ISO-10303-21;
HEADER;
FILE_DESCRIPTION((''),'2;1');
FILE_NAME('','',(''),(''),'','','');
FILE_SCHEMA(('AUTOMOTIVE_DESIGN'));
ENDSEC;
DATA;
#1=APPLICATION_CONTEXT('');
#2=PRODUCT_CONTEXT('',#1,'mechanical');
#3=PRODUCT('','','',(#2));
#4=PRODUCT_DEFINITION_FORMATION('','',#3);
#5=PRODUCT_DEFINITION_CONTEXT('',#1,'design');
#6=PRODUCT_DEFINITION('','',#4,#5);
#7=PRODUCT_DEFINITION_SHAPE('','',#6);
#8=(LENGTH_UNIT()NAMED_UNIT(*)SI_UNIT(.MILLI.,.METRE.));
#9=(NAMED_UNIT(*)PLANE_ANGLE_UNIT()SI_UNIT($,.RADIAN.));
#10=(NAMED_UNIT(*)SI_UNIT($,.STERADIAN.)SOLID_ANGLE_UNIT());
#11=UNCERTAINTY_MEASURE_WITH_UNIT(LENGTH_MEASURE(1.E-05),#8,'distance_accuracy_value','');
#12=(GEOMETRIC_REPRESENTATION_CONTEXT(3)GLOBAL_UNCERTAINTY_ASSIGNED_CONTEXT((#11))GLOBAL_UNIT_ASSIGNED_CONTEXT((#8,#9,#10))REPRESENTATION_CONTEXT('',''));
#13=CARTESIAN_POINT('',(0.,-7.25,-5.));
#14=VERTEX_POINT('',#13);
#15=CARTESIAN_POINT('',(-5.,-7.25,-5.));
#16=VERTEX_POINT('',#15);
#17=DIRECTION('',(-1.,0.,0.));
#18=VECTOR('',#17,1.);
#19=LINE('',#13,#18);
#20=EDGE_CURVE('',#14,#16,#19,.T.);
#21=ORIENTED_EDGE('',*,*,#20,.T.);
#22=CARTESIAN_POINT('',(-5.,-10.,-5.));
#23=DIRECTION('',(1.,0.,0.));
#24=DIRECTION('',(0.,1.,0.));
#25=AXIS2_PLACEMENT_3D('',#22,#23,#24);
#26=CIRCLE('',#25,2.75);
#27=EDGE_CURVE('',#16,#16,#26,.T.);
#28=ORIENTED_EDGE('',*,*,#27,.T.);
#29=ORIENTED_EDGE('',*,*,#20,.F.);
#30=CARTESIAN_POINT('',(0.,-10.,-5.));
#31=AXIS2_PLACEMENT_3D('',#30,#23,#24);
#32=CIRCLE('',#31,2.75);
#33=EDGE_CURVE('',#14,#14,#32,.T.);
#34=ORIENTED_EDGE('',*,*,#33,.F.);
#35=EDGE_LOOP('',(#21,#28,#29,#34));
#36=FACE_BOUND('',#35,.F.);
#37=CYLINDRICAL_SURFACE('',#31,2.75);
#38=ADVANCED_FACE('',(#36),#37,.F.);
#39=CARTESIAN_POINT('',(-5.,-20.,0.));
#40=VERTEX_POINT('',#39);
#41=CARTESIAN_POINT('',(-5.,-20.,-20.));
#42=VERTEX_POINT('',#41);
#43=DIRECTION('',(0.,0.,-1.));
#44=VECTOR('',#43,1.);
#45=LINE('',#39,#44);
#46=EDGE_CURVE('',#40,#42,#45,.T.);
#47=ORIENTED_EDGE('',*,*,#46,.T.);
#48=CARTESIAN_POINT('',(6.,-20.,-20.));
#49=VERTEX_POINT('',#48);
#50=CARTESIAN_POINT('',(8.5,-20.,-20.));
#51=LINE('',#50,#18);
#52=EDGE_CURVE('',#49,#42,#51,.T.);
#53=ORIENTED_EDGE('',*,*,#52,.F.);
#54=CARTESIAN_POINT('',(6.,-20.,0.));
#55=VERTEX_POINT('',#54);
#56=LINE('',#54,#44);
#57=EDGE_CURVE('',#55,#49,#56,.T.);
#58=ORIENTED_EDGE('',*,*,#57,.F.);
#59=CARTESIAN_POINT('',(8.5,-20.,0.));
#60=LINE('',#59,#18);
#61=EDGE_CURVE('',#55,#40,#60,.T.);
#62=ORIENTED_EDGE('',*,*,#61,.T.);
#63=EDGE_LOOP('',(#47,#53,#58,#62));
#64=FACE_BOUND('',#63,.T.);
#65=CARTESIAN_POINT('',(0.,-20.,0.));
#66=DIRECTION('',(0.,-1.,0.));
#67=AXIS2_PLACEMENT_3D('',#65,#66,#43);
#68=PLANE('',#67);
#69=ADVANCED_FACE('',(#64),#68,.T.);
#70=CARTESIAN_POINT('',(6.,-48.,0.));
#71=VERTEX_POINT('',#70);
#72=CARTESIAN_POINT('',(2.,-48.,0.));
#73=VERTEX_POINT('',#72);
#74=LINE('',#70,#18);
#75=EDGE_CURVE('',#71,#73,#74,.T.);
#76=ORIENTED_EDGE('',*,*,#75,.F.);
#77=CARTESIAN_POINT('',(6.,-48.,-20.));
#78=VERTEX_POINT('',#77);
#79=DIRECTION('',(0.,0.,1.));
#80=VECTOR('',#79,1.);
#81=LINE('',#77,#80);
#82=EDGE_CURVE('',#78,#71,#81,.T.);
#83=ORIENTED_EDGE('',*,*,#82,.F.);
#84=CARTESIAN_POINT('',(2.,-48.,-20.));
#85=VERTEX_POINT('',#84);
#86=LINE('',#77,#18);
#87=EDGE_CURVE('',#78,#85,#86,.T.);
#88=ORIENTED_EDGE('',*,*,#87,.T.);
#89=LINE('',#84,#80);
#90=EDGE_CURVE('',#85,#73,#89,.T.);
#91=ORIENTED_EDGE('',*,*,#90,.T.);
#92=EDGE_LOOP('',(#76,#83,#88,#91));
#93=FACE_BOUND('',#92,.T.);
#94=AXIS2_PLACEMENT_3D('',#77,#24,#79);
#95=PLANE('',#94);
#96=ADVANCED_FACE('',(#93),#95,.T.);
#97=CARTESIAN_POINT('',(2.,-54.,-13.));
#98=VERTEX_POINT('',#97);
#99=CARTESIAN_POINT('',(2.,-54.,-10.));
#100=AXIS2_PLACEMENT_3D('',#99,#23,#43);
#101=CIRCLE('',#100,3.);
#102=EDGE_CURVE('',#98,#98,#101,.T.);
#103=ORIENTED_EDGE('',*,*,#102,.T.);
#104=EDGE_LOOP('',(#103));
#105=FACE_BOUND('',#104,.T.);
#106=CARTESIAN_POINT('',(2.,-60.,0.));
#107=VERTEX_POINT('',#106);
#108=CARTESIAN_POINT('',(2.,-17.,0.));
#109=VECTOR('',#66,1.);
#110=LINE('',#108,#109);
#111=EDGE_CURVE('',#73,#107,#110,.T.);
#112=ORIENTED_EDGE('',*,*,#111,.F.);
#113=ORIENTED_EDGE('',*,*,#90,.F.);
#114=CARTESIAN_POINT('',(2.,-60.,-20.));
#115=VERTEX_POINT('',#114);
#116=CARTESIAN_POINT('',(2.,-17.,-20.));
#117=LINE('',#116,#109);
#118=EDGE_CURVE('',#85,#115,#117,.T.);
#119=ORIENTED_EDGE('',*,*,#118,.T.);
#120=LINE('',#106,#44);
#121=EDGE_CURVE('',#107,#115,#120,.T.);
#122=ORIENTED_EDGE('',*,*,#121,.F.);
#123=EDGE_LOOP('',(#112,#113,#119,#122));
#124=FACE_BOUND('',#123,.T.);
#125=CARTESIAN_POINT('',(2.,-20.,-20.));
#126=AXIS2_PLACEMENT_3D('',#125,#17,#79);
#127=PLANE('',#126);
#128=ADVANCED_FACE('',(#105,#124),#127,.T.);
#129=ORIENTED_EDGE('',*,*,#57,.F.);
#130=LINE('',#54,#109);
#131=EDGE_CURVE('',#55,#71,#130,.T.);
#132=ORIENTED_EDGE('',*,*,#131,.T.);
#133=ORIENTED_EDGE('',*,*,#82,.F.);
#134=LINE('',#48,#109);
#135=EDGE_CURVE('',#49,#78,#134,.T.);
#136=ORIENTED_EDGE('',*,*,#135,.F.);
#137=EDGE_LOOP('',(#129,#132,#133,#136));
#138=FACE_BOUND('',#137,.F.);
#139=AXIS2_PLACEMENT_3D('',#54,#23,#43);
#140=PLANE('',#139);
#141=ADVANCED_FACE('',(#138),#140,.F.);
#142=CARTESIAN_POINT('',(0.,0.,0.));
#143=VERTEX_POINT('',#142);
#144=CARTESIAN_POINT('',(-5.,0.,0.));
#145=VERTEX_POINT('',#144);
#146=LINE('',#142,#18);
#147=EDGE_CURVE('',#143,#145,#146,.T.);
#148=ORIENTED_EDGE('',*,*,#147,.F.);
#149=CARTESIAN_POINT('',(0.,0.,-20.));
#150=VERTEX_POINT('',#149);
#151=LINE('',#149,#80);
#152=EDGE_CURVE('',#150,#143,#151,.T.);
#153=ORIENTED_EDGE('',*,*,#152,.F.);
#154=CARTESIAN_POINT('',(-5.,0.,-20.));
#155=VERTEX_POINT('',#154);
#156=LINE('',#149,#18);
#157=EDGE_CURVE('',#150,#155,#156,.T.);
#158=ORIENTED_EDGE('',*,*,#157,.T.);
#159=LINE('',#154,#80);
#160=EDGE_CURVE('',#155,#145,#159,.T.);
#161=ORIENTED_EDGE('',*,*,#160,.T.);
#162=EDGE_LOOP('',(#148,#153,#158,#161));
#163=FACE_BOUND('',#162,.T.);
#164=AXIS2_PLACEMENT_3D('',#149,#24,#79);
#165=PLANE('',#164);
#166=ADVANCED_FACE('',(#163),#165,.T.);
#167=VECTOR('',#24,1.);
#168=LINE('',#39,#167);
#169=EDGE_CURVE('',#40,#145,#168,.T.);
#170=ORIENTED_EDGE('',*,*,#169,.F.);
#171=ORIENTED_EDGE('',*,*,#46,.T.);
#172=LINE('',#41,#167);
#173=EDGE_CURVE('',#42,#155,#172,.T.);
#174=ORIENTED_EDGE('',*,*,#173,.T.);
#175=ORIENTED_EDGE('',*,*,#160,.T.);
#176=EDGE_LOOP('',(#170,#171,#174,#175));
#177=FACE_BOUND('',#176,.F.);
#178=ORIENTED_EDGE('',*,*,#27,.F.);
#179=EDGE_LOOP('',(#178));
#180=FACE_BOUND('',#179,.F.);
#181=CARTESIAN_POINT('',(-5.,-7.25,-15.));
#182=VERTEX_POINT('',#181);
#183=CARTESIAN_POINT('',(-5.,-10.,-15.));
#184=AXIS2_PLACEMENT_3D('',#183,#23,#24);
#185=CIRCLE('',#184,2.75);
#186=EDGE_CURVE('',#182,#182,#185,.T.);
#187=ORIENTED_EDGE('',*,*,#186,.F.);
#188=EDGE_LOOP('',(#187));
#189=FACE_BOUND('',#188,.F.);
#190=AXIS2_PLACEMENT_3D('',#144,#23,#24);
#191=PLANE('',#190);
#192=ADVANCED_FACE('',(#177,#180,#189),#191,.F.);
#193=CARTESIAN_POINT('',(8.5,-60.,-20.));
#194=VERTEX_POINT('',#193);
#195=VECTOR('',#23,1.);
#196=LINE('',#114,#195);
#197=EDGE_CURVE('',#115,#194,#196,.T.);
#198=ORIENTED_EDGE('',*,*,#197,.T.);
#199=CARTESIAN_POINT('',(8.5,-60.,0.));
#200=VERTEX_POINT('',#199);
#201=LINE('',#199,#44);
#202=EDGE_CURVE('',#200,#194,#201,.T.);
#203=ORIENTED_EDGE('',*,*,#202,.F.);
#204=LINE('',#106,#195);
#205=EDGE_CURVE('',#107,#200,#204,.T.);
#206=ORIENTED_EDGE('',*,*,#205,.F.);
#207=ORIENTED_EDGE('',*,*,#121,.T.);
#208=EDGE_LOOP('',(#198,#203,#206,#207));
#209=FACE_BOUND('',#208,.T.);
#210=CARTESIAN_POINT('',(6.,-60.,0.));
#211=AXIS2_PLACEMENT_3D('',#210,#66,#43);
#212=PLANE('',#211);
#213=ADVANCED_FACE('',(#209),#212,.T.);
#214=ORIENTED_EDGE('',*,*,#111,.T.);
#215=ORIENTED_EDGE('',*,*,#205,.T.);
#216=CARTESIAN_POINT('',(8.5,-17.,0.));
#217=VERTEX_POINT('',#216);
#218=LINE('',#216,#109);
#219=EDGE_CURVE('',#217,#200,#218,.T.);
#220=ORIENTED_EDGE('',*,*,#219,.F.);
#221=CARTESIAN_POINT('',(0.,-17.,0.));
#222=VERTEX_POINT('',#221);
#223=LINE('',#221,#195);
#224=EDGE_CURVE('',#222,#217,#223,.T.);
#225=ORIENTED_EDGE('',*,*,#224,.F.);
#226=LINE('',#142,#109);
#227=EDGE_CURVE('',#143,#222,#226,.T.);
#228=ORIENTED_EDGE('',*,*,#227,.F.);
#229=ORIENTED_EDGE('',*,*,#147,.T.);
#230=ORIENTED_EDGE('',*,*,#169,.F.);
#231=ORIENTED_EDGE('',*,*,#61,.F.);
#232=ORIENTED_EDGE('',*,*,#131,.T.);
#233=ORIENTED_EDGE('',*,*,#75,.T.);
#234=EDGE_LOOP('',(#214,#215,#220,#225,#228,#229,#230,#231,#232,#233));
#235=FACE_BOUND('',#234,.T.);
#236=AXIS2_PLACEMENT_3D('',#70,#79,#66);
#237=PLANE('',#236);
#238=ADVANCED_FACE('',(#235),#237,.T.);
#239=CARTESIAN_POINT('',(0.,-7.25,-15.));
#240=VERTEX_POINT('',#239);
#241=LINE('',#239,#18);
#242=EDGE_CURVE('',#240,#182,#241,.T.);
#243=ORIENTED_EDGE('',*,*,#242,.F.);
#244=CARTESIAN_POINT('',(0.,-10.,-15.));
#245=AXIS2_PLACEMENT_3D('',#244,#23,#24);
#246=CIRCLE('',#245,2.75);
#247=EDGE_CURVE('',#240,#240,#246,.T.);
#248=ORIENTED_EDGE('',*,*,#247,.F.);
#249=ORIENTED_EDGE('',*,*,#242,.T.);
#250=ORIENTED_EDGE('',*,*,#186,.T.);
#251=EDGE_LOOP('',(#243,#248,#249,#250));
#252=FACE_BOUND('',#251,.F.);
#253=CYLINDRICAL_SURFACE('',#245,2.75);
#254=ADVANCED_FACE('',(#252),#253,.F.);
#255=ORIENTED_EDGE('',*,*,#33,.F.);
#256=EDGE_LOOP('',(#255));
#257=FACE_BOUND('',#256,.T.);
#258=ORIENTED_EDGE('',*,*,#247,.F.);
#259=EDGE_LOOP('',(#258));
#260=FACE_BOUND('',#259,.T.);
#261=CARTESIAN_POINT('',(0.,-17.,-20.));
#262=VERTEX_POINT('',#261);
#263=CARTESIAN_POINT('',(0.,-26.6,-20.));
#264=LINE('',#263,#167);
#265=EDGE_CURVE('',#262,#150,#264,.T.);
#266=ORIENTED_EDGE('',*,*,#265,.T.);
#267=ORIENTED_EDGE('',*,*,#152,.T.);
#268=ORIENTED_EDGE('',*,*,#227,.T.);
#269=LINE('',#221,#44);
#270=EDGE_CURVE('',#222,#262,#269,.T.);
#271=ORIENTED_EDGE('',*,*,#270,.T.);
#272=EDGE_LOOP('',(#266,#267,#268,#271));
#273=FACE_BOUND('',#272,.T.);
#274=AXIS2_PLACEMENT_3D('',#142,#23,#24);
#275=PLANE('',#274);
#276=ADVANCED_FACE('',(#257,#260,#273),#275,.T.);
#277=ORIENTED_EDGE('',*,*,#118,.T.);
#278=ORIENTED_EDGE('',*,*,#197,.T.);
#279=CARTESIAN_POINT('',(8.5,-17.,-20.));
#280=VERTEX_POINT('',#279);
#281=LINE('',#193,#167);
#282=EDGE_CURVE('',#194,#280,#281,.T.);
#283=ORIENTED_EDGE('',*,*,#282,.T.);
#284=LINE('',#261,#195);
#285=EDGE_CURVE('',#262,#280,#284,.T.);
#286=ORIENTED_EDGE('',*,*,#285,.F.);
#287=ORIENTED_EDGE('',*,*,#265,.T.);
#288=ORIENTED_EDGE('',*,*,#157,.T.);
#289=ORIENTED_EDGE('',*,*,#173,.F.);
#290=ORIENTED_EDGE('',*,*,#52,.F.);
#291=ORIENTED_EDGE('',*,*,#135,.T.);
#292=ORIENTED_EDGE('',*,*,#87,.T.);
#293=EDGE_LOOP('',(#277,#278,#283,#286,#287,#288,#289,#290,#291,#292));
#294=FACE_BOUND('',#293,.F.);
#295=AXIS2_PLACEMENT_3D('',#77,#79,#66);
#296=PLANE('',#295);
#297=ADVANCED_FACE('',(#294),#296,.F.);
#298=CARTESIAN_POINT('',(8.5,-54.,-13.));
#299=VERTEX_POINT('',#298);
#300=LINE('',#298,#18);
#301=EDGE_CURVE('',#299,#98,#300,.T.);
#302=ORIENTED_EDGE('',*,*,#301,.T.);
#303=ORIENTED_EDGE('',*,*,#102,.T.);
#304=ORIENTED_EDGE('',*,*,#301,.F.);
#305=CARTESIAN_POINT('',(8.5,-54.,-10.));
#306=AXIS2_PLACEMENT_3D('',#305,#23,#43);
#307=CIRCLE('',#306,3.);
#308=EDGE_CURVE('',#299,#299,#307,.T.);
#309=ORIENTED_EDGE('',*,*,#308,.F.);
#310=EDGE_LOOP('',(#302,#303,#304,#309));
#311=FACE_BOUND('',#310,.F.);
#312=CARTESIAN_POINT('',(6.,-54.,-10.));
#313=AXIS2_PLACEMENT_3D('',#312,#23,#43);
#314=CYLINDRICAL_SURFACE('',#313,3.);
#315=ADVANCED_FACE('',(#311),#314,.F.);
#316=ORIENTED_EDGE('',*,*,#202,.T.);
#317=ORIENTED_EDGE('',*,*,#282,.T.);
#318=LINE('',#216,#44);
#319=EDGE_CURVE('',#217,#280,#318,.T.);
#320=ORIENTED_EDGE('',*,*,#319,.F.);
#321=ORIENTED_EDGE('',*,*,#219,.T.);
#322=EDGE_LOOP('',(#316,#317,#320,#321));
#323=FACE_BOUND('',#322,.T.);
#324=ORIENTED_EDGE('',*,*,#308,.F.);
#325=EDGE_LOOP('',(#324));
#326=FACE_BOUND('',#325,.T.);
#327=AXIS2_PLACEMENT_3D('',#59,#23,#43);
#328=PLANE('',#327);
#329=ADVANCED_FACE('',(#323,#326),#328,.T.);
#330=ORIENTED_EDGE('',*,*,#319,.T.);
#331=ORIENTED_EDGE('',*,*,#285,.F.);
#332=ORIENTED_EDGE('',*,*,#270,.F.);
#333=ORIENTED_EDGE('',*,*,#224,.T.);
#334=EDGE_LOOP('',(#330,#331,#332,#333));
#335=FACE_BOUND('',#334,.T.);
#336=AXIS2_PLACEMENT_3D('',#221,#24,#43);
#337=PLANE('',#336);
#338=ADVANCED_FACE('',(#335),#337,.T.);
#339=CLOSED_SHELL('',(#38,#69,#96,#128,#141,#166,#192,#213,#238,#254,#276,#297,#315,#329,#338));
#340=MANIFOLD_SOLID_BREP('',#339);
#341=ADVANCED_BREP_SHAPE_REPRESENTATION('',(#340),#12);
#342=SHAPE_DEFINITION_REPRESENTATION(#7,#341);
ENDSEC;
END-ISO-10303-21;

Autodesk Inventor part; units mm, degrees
ref_plane "YZ Plane" through (0, 0, 0) normal (1, 0, 0) x (0, 1, 0)
ref_plane "XZ Plane" through (0, 0, 0) normal (0, 1, 0) x (-1, 0, 0)
ref_plane "XY Plane" through (0, 0, 0) normal (0, 0, 1) x (1, 0, 0)
sketch "Sketch1" plane through (0, 0, 0) normal (1, 0, 0) x (0, 1, 0)
  line L0 (0, 0) -> (-26.6, 0)
  line L1 (-26.6, 0) -> (-26.6, -20)
  line L2 (-26.6, -20) -> (0, -20)
  line L3 (0, -20) -> (0, 0)
  line L4 (0, 0) -> (-10, 0) construction
  line L5 (-10, 0) -> (-10, -5) construction
  circle A0 centre (-10, -5) radius 2.75
  line L6 (0, -20) -> (-10, -20) construction
  line L7 (-10, -20) -> (-10, -15) construction
  circle A1 centre (-10, -15) radius 2.75
  line L8 (-26.6, 0) -> (-20, 0)
  line L9 (-20, 0) -> (-20, -20)
  line L10 (-20, -20) -> (-26.6, -20)
  line L11 (-26.6, -20) -> (-26.6, 0)
  line L12 (-20, 0) -> (-17, 0)
  line L13 (-17, 0) -> (-17, -20)
  line L14 (-17, -20) -> (-20, -20)
  line L15 (-20, -20) -> (-20, 0)
  dimension "d0" = 26.6
  dimension "d1" = 20
  dimension "d2" = 10
  dimension "d3" = 5
  dimension "d4" = 5.5
  dimension "d5" = 10
  dimension "d6" = 5
  dimension "d7" = 5.5
  dimension "d8" = 6.6
  dimension "d9" = 3
extrude "Extrusion1" add sketch "Sketch1" along normal blind 8.5 contours L13 L2 L9 L0
extrude "Extrusion2" add sketch "Sketch1" against normal blind 5 contours L3 L2 L13 L0
extrude "Extrusion3" add sketch "Sketch1" against normal blind 5 contours L13 L2 L9 L0
sketch "Sketch2" plane through (8.5, -20, -20) normal (0, -1, 0) x (1, 0, 0)
  line L0 (0, 20) -> (0, 0) projected
  line L1 (-8.5, 0) -> (0, 0) projected
  line L2 (0, 20) -> (-2.5, 20)
  line L3 (-2.5, 20) -> (-2.5, 0)
  line L4 (-2.5, 0) -> (0, 0)
  line L5 (0, 0) -> (0, 20)
  point P0 (-8.5, 20)
  dimension "d16" = 2.5
extrude "Extrusion4" add sketch "Sketch2" along normal blind 40
sketch "Sketch3" plane through (8.5, 0, 0) normal (1, 0, 0) x (0, 0, -1)
  line L0 (20, -60) -> (0, -60) projected
  circle A0 centre (10, -54) radius 3
  point P0 (0, 0)
  dimension "d20" = 6
extrude "Extrusion5" cut sketch "Sketch3" against normal blind 7.5
sketch "Sketch4" plane through (6, -20, -20) normal (-1, 0, 0) x (0, 0, 1)
  line L0 (20, 3) -> (20, -40) projected
  line L1 (0, 3) -> (0, -40) projected
  line L2 (20, -40) -> (0, -40)
  line L3 (0, -40) -> (0, -28)
  line L4 (0, -28) -> (20, -28)
  line L5 (20, -28) -> (20, -40)
  point P0 (20, 20)
  dimension "d23" = 12
extrude "Extrusion6" add sketch "Sketch4" along normal blind 4
sketch "Sketch5" plane through (6, -54, -10) normal (1, 0, 0) x (0, 0, -1)
  circle A0 centre (0, 0) radius 3
  point P0 (-10, 54)
extrude "Extrusion7" cut sketch "Sketch5" against normal blind 4
properties part number "Laser_Holder"
